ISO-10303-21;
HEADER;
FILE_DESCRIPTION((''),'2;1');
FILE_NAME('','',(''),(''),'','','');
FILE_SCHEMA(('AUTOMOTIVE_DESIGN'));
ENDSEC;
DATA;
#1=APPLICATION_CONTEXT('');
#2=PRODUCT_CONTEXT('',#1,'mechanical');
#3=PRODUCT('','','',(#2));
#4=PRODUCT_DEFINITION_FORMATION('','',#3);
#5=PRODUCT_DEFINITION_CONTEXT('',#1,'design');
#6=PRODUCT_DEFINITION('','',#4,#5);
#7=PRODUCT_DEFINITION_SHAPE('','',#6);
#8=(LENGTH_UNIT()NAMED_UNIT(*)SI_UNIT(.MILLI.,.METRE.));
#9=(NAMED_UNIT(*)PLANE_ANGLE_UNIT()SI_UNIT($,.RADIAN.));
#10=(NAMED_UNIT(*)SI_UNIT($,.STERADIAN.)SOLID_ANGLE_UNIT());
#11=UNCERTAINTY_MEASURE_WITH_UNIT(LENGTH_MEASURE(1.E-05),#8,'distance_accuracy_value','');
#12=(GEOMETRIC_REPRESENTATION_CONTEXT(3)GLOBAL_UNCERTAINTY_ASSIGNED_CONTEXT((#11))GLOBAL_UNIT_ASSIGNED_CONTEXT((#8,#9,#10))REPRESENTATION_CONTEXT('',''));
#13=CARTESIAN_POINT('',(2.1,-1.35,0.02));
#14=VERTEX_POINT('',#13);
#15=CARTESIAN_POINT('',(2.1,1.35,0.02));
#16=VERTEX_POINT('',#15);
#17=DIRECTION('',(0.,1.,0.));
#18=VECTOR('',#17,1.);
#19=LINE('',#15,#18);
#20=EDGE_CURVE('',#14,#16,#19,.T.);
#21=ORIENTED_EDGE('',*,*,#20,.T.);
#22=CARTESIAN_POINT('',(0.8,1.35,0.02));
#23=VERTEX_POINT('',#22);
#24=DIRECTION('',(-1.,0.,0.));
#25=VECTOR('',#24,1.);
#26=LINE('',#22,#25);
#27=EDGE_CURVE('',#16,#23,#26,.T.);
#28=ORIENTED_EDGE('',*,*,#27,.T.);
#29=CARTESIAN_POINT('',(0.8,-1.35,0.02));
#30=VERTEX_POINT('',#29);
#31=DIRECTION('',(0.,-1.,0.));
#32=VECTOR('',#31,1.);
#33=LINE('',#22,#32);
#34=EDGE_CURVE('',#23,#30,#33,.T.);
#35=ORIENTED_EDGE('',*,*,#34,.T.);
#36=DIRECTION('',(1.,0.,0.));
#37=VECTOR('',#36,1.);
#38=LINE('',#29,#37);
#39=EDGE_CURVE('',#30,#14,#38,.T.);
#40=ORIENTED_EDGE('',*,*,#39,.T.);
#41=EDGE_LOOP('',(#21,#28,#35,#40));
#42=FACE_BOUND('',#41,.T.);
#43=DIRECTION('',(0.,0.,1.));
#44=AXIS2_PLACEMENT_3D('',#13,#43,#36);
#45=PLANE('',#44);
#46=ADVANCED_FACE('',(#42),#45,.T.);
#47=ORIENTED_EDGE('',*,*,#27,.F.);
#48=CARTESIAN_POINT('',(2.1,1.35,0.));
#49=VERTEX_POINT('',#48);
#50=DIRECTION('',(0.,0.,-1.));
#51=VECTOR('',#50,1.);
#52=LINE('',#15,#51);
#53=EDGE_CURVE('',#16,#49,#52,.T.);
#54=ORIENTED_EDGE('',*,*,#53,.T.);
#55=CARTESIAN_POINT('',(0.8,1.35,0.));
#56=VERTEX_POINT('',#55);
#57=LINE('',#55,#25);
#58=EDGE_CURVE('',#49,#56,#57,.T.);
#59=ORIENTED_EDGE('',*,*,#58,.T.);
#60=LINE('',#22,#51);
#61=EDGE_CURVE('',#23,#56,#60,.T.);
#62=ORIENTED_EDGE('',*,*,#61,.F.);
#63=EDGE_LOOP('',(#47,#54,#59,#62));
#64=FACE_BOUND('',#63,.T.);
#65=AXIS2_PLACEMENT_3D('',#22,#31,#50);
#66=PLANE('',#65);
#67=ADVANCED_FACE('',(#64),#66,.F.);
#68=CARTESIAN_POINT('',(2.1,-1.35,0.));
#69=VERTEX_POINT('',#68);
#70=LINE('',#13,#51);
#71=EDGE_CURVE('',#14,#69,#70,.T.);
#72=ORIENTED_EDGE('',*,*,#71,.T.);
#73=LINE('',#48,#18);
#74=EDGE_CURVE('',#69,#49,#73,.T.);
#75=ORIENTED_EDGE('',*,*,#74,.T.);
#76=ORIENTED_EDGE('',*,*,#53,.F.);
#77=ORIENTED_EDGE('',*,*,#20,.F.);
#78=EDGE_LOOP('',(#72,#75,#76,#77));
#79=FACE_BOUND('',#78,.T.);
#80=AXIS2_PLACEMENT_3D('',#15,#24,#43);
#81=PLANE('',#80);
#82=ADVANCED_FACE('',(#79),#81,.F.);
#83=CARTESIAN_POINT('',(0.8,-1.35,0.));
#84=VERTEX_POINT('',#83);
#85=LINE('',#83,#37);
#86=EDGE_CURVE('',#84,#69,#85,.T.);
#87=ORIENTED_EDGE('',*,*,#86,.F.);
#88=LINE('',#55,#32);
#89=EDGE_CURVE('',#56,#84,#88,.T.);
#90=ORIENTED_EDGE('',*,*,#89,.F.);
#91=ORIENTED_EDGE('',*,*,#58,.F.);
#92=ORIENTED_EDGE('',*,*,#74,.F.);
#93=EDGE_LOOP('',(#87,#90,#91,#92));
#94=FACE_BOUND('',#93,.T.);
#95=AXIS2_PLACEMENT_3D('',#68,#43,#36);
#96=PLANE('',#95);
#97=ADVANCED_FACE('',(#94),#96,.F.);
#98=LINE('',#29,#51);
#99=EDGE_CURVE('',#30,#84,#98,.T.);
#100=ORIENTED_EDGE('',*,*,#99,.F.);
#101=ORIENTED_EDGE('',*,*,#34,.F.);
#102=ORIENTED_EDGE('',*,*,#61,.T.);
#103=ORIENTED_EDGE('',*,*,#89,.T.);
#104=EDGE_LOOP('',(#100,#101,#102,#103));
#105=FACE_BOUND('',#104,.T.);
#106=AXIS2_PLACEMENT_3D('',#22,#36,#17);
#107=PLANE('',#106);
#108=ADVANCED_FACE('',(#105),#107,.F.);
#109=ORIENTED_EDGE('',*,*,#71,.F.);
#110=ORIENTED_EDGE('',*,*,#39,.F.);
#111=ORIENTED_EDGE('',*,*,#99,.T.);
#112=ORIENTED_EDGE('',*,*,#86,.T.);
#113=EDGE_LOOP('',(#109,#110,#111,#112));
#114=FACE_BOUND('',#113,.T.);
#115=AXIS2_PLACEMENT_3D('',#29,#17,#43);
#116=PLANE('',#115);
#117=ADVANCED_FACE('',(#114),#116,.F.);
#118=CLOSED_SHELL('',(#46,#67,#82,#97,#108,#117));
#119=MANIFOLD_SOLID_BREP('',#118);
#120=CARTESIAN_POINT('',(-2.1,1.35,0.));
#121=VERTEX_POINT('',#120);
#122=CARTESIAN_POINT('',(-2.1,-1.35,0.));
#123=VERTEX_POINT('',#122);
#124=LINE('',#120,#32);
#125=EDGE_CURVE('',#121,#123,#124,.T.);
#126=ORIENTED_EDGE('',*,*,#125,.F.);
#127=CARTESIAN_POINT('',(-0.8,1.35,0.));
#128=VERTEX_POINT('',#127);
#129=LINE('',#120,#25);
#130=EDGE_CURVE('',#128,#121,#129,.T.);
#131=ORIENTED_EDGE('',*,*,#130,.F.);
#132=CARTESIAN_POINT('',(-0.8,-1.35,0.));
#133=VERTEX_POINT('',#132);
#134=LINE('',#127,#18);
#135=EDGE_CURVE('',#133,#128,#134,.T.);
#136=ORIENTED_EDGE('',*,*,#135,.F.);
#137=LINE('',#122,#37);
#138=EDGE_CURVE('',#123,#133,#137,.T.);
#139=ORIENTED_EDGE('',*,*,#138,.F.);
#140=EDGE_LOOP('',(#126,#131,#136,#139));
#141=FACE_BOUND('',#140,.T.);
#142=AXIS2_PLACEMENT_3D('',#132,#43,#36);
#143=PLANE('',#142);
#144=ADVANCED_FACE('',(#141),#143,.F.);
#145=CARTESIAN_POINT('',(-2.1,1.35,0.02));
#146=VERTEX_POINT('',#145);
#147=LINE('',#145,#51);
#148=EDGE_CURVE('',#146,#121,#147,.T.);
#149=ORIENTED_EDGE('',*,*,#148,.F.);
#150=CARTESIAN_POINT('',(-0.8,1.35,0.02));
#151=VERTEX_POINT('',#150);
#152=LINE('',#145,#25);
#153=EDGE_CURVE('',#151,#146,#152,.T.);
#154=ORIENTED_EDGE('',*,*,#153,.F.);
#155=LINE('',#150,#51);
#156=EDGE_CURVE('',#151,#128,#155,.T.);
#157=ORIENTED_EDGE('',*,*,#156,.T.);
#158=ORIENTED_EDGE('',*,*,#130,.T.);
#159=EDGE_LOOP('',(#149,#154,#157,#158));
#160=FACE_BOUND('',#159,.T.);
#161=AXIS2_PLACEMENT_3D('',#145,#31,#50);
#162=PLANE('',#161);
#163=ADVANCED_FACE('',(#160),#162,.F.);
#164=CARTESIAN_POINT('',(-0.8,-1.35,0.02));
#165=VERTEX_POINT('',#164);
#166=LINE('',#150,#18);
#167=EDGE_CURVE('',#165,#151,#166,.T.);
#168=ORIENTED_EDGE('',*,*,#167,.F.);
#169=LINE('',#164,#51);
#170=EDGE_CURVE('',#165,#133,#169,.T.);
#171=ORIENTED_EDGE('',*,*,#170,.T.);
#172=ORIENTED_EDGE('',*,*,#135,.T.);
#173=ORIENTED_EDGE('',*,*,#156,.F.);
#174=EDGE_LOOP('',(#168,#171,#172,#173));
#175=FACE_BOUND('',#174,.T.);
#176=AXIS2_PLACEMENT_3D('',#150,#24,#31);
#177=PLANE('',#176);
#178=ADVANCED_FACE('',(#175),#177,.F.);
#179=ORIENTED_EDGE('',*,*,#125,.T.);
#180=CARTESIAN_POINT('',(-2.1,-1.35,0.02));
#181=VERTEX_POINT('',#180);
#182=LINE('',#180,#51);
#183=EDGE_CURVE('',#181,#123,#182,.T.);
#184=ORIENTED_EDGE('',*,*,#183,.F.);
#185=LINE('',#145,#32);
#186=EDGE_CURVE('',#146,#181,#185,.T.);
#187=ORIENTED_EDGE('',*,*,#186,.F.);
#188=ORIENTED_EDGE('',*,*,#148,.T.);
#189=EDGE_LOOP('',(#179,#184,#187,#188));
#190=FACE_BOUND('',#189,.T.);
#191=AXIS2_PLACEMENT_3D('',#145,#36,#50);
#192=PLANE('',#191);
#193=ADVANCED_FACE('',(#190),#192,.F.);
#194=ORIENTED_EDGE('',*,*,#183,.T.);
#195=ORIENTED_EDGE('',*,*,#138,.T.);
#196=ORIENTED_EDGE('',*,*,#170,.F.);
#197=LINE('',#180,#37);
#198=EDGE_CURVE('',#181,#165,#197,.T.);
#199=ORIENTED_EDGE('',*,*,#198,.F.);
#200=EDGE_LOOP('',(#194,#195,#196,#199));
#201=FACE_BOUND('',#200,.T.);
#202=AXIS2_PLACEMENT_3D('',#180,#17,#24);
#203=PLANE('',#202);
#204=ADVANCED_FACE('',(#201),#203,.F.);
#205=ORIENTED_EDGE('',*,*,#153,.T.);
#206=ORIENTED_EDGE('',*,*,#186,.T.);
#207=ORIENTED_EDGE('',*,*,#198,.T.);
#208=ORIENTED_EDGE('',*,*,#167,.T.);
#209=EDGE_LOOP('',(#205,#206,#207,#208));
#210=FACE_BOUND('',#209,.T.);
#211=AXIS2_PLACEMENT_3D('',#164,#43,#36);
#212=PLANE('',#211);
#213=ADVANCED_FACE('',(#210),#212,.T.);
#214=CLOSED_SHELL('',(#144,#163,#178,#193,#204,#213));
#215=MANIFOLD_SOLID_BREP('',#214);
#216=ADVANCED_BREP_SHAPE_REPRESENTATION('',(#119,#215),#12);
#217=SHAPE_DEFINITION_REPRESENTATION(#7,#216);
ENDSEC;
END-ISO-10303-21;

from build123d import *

# Parameters (mm, degrees)
SKETCH_1_W        = 1.3
SKETCH_1_H        = 2.7
EXTRUDE_1_DEPTH   = 0.02
EXTRUDE_1_2_DEPTH = 0.02


with BuildPart() as part:
    # 草图1 → 凸台-拉伸1 (new body)
    with BuildSketch(Plane.XY):
        with Locations((-1.45, 0)):
            Rectangle(SKETCH_1_W, SKETCH_1_H)
    extrude(amount=EXTRUDE_1_DEPTH)


with BuildPart() as body_2:
    # 草图1 → Extrude 1 2 (new body)
    with BuildSketch(Plane.XY):
        with Locations((1.45, 0)):
            Rectangle(SKETCH_1_W, SKETCH_1_H)
    extrude(amount=EXTRUDE_1_2_DEPTH)


solid = Compound([part.part, body_2.part])
